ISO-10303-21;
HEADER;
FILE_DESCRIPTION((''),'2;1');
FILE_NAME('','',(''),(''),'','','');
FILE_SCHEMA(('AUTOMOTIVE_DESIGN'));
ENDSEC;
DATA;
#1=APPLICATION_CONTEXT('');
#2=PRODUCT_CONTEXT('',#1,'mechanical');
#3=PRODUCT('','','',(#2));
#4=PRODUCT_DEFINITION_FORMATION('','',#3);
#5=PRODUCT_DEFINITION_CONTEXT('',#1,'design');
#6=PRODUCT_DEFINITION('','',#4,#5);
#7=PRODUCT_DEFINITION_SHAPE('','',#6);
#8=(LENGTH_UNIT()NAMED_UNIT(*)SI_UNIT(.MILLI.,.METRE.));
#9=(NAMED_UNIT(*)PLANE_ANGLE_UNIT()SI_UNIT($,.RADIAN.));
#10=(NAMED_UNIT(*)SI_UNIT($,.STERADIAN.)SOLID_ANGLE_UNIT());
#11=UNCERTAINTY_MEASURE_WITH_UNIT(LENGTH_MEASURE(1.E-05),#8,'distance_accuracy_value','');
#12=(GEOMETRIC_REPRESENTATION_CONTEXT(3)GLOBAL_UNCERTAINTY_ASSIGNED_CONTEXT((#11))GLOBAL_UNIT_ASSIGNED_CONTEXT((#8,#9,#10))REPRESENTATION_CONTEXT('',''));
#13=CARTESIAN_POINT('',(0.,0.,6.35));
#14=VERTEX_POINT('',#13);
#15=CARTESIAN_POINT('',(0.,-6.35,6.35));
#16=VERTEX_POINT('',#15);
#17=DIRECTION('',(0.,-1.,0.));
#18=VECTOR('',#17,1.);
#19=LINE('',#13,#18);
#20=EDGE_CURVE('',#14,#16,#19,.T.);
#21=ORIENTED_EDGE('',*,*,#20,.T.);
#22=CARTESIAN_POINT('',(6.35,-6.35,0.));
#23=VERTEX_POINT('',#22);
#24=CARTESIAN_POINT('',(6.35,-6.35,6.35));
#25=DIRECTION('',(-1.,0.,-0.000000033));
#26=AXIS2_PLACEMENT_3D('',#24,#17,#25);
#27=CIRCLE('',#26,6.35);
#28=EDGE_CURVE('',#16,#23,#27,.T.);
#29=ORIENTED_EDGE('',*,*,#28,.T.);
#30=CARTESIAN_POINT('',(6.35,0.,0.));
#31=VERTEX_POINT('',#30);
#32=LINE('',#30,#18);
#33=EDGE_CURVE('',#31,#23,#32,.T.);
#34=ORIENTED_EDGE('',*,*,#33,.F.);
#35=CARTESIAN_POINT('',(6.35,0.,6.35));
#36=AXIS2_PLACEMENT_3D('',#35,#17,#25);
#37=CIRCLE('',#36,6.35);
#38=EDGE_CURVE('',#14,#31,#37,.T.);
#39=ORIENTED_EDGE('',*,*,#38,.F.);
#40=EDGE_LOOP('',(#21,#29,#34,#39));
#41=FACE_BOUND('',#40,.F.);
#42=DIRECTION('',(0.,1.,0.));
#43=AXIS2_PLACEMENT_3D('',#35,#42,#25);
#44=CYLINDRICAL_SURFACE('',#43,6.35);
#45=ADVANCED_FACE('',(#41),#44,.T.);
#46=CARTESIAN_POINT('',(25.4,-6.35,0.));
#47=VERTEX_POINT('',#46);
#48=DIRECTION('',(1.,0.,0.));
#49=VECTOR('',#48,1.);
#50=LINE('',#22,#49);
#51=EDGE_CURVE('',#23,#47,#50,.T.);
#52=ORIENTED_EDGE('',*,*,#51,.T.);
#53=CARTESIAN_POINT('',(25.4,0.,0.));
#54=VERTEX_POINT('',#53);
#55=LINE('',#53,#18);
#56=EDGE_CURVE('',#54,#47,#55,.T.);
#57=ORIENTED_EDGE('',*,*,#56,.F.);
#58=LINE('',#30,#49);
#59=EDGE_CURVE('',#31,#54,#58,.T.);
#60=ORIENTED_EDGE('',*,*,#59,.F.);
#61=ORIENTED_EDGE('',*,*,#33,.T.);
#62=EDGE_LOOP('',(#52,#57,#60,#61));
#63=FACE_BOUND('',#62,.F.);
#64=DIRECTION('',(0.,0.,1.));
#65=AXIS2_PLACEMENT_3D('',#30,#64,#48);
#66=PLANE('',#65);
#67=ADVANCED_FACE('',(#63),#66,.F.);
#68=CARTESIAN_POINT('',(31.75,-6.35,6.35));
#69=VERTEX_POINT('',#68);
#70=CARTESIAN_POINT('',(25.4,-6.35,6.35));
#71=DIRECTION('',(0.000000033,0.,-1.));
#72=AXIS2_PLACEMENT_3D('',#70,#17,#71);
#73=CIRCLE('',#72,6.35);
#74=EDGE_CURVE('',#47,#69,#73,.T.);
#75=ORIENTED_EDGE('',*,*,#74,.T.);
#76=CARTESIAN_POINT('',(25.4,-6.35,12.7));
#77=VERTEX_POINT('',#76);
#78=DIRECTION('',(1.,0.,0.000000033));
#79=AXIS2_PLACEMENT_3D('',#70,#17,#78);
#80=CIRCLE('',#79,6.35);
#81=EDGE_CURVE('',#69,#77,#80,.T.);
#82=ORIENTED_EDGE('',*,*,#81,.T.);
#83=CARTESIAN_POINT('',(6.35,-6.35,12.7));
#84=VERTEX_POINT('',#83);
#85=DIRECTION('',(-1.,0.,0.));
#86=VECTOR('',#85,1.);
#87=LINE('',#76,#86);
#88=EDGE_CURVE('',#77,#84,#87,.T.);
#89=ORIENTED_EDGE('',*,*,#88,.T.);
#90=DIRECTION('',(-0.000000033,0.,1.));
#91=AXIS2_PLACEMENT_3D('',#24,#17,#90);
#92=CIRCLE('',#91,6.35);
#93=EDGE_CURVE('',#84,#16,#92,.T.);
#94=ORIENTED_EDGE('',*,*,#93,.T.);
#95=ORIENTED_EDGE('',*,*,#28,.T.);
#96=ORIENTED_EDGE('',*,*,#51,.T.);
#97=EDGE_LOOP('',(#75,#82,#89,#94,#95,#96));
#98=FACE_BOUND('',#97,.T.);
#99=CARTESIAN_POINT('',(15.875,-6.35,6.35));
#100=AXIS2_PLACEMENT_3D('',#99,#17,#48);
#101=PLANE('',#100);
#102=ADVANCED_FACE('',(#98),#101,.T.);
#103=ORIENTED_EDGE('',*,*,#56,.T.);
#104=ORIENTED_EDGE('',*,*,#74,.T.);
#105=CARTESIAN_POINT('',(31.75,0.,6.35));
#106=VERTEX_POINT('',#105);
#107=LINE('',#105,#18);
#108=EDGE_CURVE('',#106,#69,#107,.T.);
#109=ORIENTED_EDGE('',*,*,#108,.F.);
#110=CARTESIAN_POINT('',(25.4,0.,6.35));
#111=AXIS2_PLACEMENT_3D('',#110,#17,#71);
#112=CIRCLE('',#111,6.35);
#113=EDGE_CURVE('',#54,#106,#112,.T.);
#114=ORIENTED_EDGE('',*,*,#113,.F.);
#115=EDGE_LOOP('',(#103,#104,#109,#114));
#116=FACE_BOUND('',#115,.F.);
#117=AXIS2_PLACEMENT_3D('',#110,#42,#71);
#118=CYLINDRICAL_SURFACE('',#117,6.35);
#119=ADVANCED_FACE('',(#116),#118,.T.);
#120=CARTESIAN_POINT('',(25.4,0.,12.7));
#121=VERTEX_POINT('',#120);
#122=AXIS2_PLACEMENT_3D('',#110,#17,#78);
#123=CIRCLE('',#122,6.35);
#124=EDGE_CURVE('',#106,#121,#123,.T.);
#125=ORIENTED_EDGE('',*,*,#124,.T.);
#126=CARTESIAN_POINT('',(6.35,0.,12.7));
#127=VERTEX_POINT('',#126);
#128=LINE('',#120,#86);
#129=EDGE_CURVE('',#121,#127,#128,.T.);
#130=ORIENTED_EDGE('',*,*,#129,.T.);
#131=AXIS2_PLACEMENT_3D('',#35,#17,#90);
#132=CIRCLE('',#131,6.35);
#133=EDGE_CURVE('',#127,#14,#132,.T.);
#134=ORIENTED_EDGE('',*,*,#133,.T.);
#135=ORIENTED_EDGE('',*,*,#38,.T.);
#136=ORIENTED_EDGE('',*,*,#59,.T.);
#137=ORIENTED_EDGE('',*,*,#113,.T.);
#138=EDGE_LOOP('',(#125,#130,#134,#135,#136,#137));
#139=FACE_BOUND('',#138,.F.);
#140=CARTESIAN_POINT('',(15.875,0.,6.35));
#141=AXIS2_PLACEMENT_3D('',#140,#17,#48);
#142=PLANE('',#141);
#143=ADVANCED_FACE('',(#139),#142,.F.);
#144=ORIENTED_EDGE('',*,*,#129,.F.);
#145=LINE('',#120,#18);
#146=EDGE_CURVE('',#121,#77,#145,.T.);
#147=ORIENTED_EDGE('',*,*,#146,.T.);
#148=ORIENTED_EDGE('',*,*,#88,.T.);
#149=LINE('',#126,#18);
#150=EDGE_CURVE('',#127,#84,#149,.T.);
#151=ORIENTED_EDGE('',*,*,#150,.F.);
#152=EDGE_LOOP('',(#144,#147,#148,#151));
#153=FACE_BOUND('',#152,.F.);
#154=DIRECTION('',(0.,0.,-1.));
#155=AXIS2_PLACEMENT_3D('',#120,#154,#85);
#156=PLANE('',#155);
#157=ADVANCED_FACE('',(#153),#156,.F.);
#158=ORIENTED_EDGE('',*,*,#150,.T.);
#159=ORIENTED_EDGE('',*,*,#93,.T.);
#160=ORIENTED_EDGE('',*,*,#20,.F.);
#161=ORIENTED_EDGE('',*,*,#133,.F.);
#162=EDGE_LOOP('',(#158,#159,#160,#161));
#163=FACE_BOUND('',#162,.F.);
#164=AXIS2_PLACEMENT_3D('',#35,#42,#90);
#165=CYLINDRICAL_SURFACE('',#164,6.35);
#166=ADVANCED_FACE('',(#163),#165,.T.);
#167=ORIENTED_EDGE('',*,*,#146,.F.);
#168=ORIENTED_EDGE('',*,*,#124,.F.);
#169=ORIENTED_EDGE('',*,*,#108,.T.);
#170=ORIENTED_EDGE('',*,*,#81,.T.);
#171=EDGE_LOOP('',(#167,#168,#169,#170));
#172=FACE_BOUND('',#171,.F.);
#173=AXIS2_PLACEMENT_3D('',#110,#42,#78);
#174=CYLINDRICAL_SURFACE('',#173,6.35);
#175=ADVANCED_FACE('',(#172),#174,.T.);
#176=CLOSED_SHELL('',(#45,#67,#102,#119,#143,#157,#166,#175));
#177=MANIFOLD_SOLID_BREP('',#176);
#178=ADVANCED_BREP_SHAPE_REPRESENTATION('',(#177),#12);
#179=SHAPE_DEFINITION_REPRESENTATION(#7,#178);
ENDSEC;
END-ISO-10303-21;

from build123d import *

# Parameters (mm, degrees)
F1_DEPTH = 6.35


with BuildPart() as f1:
    # F0 (on Front) → F1 (new body)
    with BuildSketch(Plane.XZ):
        with BuildLine():
            ThreePointArc((0, 6.35), (1.859872, 1.859872), (6.35, 0))
            Line((6.35, 0), (25.4, 0))
            ThreePointArc((25.4, 0), (29.890128, 1.859872), (31.75, 6.35))
            ThreePointArc((31.75, 6.35), (29.890128, 10.840128), (25.4, 12.7))
            Line((25.4, 12.7), (6.35, 12.7))
            ThreePointArc((6.35, 12.7), (1.859872, 10.840128), (0, 6.35))
        make_face()
    extrude(amount=F1_DEPTH)


solid = f1.part
